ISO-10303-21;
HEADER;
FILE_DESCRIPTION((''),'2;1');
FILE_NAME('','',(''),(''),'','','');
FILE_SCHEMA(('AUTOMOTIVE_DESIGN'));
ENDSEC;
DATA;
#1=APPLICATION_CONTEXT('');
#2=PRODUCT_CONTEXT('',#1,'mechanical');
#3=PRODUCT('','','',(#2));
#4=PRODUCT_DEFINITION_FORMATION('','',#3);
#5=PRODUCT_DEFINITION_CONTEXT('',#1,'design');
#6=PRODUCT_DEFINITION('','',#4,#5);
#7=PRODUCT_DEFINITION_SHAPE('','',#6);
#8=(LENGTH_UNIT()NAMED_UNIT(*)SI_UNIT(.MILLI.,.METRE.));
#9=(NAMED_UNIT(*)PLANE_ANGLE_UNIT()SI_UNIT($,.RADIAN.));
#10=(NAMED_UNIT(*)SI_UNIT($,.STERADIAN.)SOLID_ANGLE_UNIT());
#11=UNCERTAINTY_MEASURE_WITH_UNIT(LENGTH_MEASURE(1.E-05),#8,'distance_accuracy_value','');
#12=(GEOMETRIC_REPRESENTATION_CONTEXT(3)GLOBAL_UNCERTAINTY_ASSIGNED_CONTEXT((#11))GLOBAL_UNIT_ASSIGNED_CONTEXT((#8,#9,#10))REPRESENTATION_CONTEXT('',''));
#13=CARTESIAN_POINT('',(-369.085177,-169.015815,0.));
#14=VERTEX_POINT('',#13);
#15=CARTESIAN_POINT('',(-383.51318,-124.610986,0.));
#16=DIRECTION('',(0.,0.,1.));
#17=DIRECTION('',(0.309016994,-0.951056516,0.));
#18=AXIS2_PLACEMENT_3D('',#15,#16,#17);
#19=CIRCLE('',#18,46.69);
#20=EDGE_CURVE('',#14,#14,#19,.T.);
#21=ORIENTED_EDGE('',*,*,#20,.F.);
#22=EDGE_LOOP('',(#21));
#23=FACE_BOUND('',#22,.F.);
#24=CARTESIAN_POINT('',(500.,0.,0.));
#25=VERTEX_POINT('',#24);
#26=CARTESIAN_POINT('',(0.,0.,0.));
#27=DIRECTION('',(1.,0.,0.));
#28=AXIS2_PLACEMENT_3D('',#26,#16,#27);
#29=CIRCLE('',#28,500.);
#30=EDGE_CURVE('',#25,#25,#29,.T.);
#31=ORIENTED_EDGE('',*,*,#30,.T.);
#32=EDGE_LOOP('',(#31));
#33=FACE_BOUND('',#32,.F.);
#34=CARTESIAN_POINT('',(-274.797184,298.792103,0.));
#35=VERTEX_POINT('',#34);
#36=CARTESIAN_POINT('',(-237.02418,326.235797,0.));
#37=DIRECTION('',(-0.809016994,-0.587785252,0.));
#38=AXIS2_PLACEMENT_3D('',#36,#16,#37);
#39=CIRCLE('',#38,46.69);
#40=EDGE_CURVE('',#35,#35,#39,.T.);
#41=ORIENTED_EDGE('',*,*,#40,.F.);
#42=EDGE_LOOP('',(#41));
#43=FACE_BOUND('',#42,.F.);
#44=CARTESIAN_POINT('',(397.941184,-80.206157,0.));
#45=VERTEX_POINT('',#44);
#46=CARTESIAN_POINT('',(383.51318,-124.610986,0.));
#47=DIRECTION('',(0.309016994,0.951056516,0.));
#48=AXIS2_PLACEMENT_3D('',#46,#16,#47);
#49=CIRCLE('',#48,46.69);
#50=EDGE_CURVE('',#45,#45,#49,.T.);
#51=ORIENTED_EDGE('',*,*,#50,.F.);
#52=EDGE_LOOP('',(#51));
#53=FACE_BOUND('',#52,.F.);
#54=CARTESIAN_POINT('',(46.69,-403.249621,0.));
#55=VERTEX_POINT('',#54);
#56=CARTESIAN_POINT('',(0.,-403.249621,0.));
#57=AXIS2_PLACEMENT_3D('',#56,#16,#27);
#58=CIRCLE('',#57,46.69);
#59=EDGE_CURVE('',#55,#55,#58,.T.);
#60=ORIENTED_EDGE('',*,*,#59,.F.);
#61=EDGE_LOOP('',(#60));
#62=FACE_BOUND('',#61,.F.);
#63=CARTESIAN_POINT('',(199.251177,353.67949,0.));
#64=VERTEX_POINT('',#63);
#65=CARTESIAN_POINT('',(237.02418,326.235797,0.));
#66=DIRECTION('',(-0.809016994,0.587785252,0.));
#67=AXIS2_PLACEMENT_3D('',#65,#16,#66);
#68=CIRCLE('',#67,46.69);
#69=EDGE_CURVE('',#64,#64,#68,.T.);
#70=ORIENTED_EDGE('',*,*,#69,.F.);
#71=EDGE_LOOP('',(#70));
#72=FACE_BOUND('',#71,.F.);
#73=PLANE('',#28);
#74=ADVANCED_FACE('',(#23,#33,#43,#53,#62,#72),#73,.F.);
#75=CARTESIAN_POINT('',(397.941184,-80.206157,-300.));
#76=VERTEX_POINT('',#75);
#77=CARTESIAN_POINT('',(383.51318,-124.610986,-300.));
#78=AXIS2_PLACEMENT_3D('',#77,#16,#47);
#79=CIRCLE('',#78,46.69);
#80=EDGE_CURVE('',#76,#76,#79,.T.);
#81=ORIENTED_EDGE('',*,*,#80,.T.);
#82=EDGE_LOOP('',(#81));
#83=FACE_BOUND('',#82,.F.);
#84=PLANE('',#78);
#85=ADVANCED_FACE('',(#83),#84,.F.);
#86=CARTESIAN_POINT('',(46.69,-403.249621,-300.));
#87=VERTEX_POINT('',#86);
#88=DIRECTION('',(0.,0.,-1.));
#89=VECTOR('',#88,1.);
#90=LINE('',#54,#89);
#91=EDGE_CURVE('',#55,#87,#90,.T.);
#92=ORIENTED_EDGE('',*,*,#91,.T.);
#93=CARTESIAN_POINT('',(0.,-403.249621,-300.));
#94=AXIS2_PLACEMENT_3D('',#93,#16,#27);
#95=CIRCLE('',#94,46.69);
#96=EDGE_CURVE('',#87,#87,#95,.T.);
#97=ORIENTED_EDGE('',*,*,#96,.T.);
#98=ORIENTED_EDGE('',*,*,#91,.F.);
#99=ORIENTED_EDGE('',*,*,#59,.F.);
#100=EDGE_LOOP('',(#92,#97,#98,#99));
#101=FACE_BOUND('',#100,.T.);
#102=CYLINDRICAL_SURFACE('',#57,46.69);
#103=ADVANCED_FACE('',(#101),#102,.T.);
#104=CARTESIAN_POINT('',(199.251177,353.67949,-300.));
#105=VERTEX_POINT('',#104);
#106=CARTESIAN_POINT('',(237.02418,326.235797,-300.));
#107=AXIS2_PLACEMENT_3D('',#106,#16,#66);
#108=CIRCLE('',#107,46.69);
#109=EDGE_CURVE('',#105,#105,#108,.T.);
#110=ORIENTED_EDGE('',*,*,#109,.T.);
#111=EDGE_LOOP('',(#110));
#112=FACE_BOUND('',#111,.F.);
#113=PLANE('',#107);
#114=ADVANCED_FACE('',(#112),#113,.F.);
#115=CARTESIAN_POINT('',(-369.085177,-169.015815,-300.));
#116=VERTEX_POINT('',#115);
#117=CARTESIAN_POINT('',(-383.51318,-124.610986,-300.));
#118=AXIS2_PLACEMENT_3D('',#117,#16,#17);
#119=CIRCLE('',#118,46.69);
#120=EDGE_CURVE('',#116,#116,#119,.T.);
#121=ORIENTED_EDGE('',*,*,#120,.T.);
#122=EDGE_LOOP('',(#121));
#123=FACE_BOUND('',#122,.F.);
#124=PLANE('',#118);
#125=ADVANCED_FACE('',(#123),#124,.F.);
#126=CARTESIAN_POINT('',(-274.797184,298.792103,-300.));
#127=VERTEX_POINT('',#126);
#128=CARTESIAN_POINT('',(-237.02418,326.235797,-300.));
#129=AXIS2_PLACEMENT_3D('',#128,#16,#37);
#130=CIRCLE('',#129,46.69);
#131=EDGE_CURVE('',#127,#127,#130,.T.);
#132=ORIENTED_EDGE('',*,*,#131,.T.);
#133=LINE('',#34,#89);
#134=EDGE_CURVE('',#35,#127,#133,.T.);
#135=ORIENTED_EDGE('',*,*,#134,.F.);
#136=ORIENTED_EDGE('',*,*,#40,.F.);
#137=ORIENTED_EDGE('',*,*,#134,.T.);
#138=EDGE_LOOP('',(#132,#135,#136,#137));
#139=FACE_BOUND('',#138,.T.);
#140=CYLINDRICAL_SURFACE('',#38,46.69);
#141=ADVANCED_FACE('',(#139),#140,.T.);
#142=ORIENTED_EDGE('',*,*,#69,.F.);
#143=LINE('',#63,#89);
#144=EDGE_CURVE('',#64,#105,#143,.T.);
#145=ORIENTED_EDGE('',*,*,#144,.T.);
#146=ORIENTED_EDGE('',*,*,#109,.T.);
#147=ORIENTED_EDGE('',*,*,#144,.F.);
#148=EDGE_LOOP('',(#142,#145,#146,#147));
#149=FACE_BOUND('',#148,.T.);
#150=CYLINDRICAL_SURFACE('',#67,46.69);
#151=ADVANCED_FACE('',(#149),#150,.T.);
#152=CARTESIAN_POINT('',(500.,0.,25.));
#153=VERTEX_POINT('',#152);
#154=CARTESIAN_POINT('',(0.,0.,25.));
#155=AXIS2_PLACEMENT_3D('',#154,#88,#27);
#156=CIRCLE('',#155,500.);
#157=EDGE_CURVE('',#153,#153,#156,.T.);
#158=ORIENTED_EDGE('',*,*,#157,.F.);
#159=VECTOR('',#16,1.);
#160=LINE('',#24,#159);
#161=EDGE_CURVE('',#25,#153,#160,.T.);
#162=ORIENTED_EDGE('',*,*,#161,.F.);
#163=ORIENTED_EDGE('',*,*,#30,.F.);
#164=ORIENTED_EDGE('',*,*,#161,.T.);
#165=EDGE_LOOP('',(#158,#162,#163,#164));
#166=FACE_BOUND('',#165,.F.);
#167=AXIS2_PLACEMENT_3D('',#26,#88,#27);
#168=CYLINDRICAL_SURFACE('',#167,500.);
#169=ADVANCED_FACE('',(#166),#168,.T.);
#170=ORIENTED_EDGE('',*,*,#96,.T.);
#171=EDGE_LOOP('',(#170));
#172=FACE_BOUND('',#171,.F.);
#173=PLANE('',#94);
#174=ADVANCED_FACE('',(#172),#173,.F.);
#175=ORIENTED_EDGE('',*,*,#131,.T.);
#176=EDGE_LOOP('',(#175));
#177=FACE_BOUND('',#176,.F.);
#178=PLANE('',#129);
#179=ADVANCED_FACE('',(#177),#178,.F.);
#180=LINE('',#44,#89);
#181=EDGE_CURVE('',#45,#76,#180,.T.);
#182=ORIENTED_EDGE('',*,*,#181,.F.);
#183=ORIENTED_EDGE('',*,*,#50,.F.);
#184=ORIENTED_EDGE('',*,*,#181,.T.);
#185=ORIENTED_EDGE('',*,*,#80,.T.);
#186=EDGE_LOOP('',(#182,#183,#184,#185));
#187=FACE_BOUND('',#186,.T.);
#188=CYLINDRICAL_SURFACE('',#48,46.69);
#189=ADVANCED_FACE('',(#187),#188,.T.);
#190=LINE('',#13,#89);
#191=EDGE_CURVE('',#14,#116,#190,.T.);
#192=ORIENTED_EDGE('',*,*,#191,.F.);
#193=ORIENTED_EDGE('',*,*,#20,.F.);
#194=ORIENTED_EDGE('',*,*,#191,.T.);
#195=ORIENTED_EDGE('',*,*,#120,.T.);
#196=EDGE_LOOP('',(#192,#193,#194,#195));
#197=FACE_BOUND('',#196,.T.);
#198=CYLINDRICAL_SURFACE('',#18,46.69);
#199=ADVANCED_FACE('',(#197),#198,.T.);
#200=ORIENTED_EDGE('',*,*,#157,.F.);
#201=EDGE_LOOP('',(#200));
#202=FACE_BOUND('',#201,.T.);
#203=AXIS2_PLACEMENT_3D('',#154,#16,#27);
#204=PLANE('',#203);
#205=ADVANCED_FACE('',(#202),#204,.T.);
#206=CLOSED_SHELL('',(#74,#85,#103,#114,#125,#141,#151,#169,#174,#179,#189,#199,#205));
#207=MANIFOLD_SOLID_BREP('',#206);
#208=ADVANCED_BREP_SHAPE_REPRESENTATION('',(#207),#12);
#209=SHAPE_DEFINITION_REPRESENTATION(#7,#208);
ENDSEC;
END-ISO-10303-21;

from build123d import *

# Parameters (mm, degrees)
F0_R     = 500
F2_DEPTH = 25
F1_R     = 46.69
F3_DEPTH = 300
F4_COUNT = 5


with BuildPart() as f2:
    # F0 (on Top) → F2 (new body)
    with BuildSketch(Plane.XY):
        Circle(F0_R)
    extrude(amount=F2_DEPTH)

    # F1 (on face) → F3 (join)
    with BuildSketch(Plane.XY):
        with Locations((0, -403.2496213913)):
            Circle(F1_R)
    extrude(amount=-F3_DEPTH)

    # F4: F2 ×5 about axis
    f4_axis = Axis((0, 0, 0), (0, 0, 1))


with BuildPart() as f2_1:
    add(f2.part)
    for i in range(1, F4_COUNT):
        add(f2.part.rotate(f4_axis, i * 360 / F4_COUNT))


solid = f2_1.part
